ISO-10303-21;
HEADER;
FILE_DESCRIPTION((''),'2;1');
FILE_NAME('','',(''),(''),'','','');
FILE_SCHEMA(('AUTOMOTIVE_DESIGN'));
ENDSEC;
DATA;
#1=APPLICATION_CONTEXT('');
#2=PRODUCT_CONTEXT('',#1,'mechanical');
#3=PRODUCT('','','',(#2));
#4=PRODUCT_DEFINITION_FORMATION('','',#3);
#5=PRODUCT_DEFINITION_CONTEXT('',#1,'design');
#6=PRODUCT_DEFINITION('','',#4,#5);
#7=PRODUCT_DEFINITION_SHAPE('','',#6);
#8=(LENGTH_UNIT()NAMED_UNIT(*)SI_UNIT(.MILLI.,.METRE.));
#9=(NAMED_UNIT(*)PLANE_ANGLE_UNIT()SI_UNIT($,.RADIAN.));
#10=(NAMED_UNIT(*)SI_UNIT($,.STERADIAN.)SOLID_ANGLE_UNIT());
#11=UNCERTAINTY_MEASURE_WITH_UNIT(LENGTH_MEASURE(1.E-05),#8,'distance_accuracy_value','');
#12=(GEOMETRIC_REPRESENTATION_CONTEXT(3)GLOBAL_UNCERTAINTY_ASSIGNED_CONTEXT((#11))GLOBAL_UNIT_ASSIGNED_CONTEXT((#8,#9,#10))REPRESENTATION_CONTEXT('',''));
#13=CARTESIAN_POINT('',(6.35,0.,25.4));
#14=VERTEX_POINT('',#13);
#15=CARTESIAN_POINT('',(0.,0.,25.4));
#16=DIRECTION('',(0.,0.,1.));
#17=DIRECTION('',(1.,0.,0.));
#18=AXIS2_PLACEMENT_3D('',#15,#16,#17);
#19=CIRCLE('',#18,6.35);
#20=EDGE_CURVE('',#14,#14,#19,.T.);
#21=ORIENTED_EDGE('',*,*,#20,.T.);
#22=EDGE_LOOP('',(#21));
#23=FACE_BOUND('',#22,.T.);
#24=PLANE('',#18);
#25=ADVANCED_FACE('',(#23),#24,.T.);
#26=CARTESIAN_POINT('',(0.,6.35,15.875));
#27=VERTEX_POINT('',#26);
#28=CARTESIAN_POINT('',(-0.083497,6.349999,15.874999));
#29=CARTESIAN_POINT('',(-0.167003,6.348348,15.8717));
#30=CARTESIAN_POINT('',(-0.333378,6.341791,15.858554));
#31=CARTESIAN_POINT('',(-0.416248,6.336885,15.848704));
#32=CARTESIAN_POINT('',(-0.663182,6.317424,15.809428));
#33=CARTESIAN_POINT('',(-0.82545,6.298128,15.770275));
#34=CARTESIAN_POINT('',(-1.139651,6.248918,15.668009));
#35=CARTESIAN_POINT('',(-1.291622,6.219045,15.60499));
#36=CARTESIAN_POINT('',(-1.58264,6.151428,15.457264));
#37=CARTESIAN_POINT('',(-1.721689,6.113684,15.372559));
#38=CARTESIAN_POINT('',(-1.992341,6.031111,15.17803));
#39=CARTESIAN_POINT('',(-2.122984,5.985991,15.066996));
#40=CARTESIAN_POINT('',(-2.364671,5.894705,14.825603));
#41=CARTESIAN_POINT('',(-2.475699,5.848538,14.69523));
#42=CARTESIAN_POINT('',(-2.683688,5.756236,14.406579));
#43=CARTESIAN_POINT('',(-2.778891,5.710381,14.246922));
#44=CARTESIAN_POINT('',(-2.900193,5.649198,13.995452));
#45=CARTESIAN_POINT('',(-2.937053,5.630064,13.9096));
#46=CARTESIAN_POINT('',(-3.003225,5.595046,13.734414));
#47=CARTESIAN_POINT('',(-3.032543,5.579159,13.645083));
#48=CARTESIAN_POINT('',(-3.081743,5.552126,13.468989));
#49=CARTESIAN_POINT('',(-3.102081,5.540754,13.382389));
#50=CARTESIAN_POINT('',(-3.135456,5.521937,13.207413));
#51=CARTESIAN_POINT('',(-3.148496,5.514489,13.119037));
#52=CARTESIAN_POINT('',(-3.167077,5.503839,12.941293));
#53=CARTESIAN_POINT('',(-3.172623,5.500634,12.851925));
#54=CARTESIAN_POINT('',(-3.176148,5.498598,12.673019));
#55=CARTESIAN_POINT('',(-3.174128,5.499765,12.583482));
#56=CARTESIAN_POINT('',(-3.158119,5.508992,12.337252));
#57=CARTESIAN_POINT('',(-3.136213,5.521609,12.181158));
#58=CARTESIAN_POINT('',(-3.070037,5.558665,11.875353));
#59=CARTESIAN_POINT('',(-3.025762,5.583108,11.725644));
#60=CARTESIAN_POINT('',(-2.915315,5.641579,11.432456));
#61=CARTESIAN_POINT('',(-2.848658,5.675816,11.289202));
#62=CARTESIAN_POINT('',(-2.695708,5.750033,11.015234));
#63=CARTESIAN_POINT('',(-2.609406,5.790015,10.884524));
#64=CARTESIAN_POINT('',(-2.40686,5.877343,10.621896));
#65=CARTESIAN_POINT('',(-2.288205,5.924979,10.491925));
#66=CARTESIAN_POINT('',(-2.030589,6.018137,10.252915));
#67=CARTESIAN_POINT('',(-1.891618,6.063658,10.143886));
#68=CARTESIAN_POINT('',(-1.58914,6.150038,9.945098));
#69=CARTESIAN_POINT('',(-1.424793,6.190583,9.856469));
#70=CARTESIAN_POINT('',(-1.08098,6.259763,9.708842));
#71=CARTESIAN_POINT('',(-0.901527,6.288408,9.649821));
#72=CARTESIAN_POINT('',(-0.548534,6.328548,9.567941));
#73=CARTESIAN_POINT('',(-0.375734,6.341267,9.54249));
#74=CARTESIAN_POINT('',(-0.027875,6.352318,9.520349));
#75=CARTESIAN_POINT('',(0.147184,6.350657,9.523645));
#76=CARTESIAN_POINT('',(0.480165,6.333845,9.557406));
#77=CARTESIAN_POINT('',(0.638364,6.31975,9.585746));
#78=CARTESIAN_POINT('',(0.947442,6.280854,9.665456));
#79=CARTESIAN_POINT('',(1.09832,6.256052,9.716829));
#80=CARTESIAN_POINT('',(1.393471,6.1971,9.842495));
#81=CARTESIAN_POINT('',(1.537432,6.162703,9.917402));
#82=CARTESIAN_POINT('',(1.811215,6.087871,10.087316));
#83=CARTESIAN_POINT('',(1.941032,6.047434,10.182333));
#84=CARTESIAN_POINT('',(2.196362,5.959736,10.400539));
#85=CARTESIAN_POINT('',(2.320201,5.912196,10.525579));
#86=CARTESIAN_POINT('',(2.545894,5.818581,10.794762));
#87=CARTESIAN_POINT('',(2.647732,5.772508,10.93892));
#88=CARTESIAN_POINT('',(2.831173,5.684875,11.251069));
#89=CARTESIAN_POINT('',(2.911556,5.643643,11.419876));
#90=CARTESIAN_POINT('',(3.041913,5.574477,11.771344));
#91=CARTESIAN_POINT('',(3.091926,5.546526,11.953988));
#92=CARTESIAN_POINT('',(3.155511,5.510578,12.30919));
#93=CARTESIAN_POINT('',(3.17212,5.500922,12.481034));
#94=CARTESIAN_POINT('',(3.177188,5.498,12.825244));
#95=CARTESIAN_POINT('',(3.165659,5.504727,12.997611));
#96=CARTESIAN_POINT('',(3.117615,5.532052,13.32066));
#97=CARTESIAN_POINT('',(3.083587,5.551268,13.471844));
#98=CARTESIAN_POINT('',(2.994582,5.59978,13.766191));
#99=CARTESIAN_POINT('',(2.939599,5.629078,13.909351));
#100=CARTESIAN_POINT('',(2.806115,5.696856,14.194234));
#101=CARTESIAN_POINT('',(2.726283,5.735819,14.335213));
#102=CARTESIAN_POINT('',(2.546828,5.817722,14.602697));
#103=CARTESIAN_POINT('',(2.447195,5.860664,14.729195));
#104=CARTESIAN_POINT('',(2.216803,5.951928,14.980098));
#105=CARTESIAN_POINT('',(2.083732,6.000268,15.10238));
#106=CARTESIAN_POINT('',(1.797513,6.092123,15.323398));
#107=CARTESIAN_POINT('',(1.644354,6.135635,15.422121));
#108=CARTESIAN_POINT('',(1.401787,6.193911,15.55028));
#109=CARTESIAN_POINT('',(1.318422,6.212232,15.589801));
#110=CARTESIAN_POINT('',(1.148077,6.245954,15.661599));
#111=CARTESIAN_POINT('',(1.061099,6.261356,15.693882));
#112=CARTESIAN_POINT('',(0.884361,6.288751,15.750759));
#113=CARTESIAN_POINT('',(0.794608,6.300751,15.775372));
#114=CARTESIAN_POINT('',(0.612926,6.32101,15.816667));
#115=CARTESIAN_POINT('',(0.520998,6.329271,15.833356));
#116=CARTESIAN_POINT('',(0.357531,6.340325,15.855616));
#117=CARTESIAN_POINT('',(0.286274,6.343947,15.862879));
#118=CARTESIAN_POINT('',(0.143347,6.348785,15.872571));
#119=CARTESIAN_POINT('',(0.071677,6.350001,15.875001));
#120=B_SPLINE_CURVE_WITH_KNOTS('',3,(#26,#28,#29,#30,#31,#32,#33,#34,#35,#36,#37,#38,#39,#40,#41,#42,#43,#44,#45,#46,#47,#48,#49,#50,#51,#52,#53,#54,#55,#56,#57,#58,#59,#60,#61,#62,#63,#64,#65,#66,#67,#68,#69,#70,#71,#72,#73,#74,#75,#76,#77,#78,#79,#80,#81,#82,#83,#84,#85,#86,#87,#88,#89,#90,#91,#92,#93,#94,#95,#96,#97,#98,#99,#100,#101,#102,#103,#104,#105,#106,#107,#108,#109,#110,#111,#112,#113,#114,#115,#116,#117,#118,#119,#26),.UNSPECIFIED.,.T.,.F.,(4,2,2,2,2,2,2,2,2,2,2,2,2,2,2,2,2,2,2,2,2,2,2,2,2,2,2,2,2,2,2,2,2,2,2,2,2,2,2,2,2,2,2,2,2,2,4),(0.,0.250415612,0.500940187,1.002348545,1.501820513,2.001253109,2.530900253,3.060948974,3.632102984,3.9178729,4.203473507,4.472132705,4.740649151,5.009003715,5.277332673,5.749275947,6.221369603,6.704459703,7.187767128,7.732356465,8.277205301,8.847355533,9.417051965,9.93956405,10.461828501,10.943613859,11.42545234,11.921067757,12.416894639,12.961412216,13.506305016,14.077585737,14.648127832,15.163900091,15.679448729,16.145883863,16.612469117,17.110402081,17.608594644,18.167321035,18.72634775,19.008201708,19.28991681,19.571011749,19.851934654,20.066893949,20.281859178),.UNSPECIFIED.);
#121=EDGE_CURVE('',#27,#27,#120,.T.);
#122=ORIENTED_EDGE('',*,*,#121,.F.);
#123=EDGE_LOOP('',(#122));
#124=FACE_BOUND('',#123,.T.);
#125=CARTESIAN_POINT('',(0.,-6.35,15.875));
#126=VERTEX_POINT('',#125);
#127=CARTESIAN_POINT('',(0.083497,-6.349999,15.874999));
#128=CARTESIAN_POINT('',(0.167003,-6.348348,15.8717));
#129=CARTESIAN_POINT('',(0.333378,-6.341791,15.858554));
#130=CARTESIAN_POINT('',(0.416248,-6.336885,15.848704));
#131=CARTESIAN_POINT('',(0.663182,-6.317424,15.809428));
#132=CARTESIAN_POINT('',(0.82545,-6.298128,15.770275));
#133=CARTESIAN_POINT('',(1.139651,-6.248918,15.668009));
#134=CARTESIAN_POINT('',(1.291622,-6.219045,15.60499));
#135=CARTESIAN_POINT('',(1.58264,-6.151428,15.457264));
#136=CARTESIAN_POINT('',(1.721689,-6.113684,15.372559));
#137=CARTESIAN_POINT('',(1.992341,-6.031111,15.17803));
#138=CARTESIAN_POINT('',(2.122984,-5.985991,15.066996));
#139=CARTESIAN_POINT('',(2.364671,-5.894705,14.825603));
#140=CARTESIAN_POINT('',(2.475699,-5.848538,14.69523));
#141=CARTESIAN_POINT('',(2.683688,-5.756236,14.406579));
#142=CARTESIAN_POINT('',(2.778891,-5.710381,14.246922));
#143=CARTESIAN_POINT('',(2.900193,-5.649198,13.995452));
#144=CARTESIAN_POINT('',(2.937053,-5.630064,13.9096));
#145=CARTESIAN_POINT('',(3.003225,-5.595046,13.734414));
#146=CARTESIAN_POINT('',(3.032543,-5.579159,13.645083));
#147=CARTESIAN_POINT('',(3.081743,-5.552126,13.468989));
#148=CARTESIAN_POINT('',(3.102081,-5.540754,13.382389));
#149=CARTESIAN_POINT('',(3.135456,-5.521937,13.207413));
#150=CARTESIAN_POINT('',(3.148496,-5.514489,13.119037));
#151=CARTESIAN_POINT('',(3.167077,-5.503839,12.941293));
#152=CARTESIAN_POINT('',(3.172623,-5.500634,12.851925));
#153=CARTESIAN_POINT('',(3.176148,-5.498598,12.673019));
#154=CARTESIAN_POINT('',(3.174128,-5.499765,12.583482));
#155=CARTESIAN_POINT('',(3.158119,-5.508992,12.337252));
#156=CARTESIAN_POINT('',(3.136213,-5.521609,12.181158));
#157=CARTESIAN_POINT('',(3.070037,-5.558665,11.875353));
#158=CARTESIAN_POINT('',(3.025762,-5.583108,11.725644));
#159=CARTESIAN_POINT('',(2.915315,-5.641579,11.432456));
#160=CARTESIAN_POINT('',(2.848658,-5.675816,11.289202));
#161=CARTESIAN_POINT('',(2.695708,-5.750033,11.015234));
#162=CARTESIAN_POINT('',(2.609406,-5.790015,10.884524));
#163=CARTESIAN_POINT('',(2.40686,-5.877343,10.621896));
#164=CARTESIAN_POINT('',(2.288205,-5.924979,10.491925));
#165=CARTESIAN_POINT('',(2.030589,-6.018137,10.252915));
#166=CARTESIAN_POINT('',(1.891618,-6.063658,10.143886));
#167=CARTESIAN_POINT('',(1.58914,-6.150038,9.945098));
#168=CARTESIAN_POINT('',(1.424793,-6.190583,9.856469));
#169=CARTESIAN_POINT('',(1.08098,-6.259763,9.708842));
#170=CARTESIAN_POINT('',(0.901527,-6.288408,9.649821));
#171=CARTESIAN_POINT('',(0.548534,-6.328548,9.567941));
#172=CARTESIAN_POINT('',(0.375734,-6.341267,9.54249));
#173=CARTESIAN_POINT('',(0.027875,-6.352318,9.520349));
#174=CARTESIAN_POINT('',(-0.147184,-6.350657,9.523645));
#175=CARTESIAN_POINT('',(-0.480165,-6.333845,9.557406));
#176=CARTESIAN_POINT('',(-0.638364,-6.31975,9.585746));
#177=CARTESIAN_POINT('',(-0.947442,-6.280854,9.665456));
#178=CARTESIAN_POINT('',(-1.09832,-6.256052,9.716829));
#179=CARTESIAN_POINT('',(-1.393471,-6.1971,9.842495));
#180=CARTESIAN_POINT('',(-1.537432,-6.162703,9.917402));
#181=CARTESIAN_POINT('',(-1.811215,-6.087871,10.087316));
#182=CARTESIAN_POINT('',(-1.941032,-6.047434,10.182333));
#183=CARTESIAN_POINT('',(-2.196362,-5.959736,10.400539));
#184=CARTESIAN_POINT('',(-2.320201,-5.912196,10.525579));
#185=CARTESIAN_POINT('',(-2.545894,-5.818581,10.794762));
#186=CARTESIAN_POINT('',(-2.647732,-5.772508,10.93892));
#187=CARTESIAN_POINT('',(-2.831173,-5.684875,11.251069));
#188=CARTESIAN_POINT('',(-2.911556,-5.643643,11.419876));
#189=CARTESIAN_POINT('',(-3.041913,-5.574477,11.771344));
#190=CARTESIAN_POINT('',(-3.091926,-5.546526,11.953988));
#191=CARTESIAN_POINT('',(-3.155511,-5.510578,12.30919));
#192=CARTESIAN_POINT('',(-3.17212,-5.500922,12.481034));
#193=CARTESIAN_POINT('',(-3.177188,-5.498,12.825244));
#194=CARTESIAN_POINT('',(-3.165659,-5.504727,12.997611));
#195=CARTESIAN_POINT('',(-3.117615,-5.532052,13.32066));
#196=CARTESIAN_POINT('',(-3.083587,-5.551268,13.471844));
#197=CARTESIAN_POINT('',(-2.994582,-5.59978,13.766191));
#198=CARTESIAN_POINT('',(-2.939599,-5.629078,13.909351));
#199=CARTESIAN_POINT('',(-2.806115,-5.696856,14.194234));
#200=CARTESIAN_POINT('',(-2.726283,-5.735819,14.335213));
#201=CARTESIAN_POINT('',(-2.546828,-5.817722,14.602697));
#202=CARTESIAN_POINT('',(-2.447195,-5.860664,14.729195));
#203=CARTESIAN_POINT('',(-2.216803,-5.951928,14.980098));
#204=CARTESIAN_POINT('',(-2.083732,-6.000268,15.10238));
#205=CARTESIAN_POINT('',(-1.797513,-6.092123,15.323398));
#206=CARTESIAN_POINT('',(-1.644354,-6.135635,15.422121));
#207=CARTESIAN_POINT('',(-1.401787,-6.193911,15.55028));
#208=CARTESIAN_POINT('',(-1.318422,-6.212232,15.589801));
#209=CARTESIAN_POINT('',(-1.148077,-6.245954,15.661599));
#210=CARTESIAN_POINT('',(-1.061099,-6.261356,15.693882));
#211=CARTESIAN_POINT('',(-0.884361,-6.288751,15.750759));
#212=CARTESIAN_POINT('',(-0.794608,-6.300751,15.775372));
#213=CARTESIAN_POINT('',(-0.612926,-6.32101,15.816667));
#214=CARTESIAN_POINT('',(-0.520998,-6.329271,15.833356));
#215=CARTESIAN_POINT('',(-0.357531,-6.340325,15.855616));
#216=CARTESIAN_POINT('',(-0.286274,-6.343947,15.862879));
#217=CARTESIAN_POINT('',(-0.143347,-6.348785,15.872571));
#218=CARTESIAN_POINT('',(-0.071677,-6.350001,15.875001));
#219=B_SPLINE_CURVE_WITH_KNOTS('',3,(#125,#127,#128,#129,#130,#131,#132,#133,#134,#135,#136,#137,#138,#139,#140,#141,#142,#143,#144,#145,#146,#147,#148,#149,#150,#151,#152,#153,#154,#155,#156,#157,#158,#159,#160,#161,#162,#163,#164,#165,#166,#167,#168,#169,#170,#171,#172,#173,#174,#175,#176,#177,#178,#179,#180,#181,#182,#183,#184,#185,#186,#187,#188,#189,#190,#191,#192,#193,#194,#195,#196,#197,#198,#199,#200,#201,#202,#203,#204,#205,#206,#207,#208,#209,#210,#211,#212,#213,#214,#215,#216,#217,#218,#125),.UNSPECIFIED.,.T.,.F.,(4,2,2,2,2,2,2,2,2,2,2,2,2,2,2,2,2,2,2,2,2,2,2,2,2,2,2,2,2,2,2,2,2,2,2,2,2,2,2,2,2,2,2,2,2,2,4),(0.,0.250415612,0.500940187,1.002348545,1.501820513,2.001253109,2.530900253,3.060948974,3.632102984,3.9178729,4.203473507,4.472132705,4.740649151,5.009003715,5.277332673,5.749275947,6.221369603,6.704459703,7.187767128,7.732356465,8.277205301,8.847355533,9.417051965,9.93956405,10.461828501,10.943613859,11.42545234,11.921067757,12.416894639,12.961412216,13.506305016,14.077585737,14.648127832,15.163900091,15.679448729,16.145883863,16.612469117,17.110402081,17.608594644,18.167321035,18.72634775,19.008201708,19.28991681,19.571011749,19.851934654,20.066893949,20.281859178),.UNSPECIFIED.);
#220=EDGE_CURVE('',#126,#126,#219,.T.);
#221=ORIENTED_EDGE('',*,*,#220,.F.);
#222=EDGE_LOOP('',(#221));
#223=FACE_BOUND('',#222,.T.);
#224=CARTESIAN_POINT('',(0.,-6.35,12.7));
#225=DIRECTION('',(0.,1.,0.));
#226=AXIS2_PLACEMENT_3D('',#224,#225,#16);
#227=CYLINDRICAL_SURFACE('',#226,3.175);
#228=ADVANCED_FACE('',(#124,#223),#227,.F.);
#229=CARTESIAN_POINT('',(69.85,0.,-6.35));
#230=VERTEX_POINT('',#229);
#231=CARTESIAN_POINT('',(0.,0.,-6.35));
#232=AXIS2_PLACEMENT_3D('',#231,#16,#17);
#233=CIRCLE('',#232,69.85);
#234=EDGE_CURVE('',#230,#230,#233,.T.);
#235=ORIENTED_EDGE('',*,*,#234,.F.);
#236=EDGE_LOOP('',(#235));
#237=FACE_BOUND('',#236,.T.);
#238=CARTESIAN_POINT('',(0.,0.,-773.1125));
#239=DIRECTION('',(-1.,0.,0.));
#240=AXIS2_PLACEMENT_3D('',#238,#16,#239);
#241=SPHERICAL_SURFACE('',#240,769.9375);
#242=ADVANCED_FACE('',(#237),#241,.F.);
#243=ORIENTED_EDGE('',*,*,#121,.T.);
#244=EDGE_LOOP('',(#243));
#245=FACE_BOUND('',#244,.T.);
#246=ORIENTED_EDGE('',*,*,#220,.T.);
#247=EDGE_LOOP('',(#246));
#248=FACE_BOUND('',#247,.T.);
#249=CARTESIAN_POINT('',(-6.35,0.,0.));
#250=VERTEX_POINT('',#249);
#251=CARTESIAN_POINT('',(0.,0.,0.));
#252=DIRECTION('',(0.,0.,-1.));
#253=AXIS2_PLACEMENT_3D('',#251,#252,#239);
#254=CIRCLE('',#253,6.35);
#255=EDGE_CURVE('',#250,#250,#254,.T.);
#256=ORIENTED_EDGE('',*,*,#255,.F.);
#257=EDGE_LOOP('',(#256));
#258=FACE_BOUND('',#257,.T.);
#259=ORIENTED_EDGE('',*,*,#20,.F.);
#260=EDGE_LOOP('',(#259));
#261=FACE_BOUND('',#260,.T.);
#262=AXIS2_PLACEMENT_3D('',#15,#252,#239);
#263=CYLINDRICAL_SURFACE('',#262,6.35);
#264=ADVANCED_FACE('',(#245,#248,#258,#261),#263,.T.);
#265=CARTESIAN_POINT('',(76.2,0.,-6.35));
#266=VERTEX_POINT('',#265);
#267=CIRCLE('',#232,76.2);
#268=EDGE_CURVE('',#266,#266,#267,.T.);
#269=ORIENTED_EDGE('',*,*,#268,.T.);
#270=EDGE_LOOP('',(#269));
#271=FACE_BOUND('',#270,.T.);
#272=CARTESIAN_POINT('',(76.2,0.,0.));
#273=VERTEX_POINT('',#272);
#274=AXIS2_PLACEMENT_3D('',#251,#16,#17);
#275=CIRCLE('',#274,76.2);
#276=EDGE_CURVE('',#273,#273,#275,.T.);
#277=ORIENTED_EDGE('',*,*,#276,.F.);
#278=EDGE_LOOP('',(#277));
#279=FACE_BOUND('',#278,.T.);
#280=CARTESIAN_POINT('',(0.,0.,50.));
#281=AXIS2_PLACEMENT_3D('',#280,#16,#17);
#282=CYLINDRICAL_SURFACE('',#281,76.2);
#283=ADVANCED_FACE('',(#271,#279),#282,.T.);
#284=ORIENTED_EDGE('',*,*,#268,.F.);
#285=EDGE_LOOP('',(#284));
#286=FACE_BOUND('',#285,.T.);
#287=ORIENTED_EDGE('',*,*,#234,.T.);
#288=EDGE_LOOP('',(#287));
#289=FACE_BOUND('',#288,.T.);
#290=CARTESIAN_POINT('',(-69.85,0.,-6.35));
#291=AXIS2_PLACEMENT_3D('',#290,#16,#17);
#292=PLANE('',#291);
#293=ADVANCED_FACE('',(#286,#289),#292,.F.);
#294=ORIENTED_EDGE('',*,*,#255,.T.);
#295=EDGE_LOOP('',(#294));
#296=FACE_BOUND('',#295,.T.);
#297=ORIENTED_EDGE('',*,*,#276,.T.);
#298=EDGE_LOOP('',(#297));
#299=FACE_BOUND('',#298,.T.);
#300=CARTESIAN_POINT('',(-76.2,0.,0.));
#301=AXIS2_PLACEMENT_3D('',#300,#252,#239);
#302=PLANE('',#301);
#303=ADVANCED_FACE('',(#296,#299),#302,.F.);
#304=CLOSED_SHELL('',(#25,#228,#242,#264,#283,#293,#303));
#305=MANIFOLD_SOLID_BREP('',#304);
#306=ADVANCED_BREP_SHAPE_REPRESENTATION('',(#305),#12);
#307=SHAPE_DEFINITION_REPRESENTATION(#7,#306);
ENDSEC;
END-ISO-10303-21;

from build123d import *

# Parameters (mm, degrees)
SKETCH2_R               = 6.35
BOSS_EXTRUDE1_DEPTH     = 25.4
SKETCH3_R               = 3.175
CUT_EXTRUDE1_DEPTH      = 7.35
CUT_EXTRUDE1_DEPTH_BACK = 7.35


with BuildPart() as part:
    # Sketch2 → Boss-Extrude1 (new body)
    with BuildSketch(Plane.XY):
        Circle(SKETCH2_R)
    extrude(amount=BOSS_EXTRUDE1_DEPTH)

    # Sketch3 → Cut-Extrude1 (cut, two sides)
    with BuildSketch(Plane(origin=(0, 0, 0), x_dir=(1, 0, 0), z_dir=(0, 1, 0))) as cut_extrude1_sk:
        with Locations(Location((0, -12.7, 0), (0, 0, 270))):  # turned: the seam where the file's is
            Circle(SKETCH3_R)
    extrude(amount=CUT_EXTRUDE1_DEPTH, mode=Mode.SUBTRACT)
    extrude(cut_extrude1_sk.sketch, amount=-CUT_EXTRUDE1_DEPTH_BACK, mode=Mode.SUBTRACT)

    # Sketch7 → Revolve2 (revolve)
    with BuildSketch(Plane(origin=(0, 0, 0), x_dir=(1, 0, 0), z_dir=(0, 1, 0))):
        with BuildLine():
            Line((-69.85, 6.35), (-76.2, 6.35))
            Line((-76.2, 6.35), (-76.2, 0))
            Line((-76.2, 0), (0, 0))
            Line((0, 0), (0, 3.175))
            ThreePointArc((0, 3.175), (-34.961060929, 3.969159572), (-69.85, 6.35))
        make_face()
    revolve(axis=Axis((0, 0, 50), (0, 0, -1)))


solid = part.part
